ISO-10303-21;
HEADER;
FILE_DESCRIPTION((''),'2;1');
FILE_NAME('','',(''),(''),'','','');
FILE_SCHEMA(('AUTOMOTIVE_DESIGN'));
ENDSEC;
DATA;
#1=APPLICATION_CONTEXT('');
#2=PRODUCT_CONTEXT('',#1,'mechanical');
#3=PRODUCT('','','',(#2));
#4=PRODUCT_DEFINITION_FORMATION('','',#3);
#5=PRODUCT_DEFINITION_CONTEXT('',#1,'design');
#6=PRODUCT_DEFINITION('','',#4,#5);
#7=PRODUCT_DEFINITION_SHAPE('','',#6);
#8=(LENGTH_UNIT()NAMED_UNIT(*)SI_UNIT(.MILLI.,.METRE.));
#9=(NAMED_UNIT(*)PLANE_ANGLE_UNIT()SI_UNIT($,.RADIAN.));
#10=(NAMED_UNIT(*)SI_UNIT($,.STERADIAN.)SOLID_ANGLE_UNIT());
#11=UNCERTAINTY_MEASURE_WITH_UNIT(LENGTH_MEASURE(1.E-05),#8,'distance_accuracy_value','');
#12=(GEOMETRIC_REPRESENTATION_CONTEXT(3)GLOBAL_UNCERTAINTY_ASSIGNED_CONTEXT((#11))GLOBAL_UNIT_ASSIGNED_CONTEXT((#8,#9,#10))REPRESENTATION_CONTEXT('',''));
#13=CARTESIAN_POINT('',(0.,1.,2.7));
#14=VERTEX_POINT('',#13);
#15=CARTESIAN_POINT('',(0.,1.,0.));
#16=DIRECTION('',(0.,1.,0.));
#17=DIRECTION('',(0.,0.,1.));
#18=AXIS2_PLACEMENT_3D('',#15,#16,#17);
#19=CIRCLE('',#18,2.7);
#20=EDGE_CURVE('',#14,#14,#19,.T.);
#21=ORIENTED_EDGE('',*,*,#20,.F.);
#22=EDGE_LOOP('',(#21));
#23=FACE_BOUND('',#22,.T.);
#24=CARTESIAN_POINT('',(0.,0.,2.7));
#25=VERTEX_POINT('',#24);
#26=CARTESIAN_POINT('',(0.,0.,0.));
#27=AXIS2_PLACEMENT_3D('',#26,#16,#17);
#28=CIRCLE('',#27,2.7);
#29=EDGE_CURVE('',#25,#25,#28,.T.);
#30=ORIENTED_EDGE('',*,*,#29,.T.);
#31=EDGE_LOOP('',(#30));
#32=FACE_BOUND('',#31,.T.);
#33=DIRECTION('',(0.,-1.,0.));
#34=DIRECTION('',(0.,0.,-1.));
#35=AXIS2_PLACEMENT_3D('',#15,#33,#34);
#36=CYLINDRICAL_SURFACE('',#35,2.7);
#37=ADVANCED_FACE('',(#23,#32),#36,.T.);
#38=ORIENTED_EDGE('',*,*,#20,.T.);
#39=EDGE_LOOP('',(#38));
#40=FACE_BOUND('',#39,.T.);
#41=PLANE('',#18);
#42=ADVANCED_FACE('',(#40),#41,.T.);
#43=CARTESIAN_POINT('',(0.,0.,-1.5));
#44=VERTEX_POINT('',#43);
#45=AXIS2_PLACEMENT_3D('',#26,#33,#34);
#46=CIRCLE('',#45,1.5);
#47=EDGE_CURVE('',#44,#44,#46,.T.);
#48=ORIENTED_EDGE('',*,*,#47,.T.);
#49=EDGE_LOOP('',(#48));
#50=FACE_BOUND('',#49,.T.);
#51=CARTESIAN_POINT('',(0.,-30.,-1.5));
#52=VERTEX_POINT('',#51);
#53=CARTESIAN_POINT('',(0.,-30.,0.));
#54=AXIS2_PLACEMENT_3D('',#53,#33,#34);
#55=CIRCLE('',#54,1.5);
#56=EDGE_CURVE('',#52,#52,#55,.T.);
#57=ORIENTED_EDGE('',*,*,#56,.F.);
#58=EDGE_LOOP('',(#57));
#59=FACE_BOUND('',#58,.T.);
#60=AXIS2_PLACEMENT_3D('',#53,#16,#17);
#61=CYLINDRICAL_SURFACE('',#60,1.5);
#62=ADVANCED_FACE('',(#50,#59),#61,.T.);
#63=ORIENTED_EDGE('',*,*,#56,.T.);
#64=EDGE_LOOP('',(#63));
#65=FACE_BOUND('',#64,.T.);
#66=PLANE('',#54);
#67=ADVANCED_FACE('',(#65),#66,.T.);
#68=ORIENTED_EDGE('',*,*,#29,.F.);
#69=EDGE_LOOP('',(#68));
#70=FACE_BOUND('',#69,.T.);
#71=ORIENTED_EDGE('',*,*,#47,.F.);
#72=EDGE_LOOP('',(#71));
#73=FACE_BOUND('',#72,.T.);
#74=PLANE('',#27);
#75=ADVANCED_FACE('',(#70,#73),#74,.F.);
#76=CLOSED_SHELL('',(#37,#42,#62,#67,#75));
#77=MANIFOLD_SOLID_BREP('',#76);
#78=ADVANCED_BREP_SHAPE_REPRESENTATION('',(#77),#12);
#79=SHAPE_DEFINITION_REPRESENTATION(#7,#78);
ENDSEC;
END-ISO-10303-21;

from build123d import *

# Parameters (mm, degrees)
IZIM2_R                     = 2.7
Y_KSEKLIK_EKSTR_ZYON1_DEPTH = 1
IZIM3_R                     = 1.5
Y_KSEKLIK_EKSTR_ZYON2_DEPTH = 30


with BuildPart() as part:
    # Çizim2 → Yükseklik-Ekstrüzyon1 (new body)
    with BuildSketch(Plane(origin=(0, 0, 0), x_dir=(1, 0, 0), z_dir=(0, 1, 0))):
        with Locations(Location((0, 0, 0), (0, 0, 270))):
            Circle(IZIM2_R)
    extrude(amount=Y_KSEKLIK_EKSTR_ZYON1_DEPTH)

    # Çizim3 → Yükseklik-Ekstrüzyon2 (add)
    with BuildSketch(Plane.XZ):
        with Locations(Location((0, 0, 0), (0, 0, 270))):
            Circle(IZIM3_R)
    extrude(amount=Y_KSEKLIK_EKSTR_ZYON2_DEPTH)


solid = part.part
